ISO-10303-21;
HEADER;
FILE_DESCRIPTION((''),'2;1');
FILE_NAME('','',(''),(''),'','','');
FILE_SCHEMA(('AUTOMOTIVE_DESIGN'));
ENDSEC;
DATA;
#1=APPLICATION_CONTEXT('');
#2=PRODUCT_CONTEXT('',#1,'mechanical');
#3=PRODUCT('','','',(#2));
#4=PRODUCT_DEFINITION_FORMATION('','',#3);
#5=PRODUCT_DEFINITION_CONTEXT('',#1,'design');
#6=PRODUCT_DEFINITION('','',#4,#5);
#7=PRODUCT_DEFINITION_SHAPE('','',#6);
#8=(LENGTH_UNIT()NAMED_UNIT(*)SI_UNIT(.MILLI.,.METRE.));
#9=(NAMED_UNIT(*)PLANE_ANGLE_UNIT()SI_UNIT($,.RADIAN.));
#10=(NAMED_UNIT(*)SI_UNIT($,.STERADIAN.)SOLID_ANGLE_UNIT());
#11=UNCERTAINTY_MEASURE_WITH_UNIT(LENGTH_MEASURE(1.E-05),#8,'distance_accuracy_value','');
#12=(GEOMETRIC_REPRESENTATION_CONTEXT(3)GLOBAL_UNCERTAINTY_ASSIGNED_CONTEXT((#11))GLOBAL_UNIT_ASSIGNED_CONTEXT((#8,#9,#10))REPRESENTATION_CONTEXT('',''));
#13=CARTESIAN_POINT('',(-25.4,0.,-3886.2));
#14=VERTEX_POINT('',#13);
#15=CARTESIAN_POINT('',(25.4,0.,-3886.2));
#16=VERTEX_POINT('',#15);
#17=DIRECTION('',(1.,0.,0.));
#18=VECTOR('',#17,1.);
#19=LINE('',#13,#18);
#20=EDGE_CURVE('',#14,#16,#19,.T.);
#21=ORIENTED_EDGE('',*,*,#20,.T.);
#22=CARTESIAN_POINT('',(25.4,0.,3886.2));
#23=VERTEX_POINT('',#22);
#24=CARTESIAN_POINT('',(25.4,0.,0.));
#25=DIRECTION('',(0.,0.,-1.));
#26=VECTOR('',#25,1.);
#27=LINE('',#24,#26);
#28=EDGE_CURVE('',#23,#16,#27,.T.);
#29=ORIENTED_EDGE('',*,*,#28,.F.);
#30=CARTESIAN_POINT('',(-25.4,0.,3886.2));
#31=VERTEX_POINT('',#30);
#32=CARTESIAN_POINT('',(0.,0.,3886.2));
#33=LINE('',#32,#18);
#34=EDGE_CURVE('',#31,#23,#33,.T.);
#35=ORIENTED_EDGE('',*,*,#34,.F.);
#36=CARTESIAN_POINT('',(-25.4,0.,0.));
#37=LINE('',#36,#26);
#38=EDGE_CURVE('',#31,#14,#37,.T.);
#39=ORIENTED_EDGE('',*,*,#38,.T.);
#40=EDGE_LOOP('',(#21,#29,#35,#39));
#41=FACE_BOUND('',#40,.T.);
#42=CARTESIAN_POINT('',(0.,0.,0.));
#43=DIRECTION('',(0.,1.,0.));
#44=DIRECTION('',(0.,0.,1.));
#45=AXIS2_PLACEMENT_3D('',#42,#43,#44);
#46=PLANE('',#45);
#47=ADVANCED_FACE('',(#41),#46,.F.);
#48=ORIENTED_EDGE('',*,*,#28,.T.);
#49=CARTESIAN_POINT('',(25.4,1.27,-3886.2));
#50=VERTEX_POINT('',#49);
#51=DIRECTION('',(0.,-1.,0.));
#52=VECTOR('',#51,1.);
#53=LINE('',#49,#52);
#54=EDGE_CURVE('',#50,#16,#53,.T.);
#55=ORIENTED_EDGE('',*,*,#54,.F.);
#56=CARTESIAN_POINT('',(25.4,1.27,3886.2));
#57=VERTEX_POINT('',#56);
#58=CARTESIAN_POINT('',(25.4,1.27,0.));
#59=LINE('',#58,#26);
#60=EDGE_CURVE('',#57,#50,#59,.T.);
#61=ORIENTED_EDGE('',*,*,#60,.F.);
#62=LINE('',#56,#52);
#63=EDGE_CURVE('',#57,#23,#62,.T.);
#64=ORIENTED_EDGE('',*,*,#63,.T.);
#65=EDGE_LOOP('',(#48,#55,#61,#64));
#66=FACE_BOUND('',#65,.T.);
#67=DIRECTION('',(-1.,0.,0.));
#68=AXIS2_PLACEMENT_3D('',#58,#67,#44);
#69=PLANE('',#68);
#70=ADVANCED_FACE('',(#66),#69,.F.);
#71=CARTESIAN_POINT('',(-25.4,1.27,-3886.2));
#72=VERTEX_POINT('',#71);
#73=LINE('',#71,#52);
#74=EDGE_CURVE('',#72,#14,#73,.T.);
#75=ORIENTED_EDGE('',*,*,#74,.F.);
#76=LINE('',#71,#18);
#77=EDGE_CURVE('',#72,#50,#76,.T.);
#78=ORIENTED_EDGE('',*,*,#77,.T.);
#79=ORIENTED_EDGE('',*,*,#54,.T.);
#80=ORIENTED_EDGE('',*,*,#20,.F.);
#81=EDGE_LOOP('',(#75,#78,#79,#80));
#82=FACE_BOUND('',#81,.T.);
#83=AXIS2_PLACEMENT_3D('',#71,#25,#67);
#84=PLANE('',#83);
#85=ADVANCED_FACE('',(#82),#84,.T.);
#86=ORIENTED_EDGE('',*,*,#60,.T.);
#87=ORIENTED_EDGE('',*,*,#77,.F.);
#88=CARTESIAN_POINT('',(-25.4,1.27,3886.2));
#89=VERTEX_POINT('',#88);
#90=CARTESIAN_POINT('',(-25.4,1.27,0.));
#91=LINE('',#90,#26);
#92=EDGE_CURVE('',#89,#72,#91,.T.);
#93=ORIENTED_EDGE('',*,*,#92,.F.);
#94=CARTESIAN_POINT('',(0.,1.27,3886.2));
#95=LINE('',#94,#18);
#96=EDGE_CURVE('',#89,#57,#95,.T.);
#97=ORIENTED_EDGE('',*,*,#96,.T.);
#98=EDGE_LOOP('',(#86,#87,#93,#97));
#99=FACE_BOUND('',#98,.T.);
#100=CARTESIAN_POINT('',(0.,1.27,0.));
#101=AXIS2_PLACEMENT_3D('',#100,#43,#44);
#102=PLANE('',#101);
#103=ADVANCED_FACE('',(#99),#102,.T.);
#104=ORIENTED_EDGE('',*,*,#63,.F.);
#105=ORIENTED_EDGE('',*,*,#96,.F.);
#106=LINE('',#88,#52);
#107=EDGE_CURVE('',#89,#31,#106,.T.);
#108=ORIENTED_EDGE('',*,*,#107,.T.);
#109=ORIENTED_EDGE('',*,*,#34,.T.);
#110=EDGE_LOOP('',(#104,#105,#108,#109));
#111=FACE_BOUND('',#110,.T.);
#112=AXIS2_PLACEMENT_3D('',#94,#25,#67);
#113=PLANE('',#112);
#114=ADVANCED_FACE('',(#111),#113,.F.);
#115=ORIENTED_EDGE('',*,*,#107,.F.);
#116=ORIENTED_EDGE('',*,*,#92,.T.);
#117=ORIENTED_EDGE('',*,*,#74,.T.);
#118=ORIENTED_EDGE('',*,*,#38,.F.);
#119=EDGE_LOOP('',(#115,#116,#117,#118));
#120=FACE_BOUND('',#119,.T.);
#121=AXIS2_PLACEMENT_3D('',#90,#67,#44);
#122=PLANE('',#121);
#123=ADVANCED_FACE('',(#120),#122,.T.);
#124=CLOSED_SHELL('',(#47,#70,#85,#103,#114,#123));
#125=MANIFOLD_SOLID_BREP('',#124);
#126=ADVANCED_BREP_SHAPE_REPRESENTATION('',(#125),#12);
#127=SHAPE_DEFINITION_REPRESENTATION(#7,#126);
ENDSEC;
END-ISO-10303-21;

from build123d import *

# Parameters (mm, degrees)
SKETCH1_W           = 50.8
SKETCH1_H           = 7772.4
BOSS_EXTRUDE1_DEPTH = 1.27


with BuildPart() as part:
    # Sketch1 → Boss-Extrude1 (new body)
    with BuildSketch(Plane(origin=(0, 0, 0), x_dir=(1, 0, 0), z_dir=(0, 1, 0))):
        Rectangle(SKETCH1_W, SKETCH1_H)
    extrude(amount=BOSS_EXTRUDE1_DEPTH)


solid = part.part
